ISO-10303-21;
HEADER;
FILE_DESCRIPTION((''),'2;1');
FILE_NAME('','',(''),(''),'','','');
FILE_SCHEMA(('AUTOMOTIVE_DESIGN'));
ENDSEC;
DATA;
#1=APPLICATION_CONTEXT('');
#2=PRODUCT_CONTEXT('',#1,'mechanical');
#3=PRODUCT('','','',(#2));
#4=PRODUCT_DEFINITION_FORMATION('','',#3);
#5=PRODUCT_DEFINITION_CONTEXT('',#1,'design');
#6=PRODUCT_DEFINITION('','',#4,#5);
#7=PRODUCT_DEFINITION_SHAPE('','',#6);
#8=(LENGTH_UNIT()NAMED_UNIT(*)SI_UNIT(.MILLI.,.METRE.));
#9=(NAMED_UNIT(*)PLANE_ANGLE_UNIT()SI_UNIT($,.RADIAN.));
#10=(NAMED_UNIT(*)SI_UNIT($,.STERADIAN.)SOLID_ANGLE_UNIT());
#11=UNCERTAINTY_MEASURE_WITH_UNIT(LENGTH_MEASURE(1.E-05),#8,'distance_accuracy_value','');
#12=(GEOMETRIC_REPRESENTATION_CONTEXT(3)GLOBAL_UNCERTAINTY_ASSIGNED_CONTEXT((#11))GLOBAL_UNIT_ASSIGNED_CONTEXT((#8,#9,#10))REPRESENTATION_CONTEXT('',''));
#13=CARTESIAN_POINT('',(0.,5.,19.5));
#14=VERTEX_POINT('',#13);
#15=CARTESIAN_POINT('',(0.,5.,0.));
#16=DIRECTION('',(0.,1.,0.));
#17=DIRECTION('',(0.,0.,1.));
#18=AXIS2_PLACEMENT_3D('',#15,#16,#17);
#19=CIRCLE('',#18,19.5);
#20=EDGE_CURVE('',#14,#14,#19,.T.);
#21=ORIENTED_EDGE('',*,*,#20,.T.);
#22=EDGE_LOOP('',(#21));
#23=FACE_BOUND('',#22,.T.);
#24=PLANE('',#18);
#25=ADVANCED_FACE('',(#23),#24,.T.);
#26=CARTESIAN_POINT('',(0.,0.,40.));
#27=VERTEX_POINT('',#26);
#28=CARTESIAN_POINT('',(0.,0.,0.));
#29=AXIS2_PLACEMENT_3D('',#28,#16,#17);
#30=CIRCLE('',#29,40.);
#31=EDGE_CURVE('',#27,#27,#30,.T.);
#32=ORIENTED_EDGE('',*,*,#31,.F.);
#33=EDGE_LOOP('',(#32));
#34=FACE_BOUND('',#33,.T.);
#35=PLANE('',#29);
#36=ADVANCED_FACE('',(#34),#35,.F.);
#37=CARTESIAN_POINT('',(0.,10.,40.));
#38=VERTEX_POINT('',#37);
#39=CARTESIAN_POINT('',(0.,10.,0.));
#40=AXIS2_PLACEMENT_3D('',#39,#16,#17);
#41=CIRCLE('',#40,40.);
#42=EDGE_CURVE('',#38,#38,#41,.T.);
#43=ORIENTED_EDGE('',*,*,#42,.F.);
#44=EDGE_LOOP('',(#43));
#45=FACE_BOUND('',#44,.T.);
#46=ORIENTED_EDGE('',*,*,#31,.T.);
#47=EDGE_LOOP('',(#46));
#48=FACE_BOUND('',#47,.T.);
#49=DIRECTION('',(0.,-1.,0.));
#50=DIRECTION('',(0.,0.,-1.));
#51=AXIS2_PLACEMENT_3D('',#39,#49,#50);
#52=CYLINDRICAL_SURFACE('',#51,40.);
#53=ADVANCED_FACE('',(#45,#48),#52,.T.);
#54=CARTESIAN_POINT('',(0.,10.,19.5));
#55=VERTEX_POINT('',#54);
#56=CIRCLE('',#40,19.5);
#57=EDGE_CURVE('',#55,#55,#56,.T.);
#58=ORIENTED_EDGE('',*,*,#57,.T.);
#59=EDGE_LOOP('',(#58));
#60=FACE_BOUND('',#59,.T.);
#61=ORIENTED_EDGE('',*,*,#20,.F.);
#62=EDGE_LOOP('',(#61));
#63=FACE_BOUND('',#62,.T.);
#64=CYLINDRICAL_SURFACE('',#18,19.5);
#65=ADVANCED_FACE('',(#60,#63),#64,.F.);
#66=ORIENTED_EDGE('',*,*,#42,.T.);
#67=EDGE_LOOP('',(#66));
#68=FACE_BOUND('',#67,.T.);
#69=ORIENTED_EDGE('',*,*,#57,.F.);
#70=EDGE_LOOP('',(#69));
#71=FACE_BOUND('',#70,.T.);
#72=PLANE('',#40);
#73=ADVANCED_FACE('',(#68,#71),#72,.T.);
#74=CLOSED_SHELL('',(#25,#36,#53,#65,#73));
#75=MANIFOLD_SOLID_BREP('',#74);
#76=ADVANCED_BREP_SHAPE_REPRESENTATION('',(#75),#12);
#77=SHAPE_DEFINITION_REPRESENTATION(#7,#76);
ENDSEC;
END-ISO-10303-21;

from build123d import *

# Parameters (mm, degrees)
SKETCH3_R           = 40
BOSS_EXTRUDE3_DEPTH = 10
SKETCH4_R           = 19.5
CUT_EXTRUDE1_DEPTH  = 5


with BuildPart() as part:
    # Sketch3 → Boss-Extrude3 (new body)
    with BuildSketch(Plane(origin=(0, 0, 0), x_dir=(1, 0, 0), z_dir=(0, 1, 0))):
        with Locations(Location((0, 0, 0), (0, 0, 270))):
            Circle(SKETCH3_R)
    extrude(amount=BOSS_EXTRUDE3_DEPTH)

    # Sketch4 → Cut-Extrude1 (cut)
    with BuildSketch(Plane(origin=(0, 10, 0), x_dir=(1, 0, 0), z_dir=(0, 1, 0))):
        with Locations(Location((0, 0, 0), (0, 0, 270))):
            Circle(SKETCH4_R)
    extrude(amount=-CUT_EXTRUDE1_DEPTH, mode=Mode.SUBTRACT)


solid = part.part
